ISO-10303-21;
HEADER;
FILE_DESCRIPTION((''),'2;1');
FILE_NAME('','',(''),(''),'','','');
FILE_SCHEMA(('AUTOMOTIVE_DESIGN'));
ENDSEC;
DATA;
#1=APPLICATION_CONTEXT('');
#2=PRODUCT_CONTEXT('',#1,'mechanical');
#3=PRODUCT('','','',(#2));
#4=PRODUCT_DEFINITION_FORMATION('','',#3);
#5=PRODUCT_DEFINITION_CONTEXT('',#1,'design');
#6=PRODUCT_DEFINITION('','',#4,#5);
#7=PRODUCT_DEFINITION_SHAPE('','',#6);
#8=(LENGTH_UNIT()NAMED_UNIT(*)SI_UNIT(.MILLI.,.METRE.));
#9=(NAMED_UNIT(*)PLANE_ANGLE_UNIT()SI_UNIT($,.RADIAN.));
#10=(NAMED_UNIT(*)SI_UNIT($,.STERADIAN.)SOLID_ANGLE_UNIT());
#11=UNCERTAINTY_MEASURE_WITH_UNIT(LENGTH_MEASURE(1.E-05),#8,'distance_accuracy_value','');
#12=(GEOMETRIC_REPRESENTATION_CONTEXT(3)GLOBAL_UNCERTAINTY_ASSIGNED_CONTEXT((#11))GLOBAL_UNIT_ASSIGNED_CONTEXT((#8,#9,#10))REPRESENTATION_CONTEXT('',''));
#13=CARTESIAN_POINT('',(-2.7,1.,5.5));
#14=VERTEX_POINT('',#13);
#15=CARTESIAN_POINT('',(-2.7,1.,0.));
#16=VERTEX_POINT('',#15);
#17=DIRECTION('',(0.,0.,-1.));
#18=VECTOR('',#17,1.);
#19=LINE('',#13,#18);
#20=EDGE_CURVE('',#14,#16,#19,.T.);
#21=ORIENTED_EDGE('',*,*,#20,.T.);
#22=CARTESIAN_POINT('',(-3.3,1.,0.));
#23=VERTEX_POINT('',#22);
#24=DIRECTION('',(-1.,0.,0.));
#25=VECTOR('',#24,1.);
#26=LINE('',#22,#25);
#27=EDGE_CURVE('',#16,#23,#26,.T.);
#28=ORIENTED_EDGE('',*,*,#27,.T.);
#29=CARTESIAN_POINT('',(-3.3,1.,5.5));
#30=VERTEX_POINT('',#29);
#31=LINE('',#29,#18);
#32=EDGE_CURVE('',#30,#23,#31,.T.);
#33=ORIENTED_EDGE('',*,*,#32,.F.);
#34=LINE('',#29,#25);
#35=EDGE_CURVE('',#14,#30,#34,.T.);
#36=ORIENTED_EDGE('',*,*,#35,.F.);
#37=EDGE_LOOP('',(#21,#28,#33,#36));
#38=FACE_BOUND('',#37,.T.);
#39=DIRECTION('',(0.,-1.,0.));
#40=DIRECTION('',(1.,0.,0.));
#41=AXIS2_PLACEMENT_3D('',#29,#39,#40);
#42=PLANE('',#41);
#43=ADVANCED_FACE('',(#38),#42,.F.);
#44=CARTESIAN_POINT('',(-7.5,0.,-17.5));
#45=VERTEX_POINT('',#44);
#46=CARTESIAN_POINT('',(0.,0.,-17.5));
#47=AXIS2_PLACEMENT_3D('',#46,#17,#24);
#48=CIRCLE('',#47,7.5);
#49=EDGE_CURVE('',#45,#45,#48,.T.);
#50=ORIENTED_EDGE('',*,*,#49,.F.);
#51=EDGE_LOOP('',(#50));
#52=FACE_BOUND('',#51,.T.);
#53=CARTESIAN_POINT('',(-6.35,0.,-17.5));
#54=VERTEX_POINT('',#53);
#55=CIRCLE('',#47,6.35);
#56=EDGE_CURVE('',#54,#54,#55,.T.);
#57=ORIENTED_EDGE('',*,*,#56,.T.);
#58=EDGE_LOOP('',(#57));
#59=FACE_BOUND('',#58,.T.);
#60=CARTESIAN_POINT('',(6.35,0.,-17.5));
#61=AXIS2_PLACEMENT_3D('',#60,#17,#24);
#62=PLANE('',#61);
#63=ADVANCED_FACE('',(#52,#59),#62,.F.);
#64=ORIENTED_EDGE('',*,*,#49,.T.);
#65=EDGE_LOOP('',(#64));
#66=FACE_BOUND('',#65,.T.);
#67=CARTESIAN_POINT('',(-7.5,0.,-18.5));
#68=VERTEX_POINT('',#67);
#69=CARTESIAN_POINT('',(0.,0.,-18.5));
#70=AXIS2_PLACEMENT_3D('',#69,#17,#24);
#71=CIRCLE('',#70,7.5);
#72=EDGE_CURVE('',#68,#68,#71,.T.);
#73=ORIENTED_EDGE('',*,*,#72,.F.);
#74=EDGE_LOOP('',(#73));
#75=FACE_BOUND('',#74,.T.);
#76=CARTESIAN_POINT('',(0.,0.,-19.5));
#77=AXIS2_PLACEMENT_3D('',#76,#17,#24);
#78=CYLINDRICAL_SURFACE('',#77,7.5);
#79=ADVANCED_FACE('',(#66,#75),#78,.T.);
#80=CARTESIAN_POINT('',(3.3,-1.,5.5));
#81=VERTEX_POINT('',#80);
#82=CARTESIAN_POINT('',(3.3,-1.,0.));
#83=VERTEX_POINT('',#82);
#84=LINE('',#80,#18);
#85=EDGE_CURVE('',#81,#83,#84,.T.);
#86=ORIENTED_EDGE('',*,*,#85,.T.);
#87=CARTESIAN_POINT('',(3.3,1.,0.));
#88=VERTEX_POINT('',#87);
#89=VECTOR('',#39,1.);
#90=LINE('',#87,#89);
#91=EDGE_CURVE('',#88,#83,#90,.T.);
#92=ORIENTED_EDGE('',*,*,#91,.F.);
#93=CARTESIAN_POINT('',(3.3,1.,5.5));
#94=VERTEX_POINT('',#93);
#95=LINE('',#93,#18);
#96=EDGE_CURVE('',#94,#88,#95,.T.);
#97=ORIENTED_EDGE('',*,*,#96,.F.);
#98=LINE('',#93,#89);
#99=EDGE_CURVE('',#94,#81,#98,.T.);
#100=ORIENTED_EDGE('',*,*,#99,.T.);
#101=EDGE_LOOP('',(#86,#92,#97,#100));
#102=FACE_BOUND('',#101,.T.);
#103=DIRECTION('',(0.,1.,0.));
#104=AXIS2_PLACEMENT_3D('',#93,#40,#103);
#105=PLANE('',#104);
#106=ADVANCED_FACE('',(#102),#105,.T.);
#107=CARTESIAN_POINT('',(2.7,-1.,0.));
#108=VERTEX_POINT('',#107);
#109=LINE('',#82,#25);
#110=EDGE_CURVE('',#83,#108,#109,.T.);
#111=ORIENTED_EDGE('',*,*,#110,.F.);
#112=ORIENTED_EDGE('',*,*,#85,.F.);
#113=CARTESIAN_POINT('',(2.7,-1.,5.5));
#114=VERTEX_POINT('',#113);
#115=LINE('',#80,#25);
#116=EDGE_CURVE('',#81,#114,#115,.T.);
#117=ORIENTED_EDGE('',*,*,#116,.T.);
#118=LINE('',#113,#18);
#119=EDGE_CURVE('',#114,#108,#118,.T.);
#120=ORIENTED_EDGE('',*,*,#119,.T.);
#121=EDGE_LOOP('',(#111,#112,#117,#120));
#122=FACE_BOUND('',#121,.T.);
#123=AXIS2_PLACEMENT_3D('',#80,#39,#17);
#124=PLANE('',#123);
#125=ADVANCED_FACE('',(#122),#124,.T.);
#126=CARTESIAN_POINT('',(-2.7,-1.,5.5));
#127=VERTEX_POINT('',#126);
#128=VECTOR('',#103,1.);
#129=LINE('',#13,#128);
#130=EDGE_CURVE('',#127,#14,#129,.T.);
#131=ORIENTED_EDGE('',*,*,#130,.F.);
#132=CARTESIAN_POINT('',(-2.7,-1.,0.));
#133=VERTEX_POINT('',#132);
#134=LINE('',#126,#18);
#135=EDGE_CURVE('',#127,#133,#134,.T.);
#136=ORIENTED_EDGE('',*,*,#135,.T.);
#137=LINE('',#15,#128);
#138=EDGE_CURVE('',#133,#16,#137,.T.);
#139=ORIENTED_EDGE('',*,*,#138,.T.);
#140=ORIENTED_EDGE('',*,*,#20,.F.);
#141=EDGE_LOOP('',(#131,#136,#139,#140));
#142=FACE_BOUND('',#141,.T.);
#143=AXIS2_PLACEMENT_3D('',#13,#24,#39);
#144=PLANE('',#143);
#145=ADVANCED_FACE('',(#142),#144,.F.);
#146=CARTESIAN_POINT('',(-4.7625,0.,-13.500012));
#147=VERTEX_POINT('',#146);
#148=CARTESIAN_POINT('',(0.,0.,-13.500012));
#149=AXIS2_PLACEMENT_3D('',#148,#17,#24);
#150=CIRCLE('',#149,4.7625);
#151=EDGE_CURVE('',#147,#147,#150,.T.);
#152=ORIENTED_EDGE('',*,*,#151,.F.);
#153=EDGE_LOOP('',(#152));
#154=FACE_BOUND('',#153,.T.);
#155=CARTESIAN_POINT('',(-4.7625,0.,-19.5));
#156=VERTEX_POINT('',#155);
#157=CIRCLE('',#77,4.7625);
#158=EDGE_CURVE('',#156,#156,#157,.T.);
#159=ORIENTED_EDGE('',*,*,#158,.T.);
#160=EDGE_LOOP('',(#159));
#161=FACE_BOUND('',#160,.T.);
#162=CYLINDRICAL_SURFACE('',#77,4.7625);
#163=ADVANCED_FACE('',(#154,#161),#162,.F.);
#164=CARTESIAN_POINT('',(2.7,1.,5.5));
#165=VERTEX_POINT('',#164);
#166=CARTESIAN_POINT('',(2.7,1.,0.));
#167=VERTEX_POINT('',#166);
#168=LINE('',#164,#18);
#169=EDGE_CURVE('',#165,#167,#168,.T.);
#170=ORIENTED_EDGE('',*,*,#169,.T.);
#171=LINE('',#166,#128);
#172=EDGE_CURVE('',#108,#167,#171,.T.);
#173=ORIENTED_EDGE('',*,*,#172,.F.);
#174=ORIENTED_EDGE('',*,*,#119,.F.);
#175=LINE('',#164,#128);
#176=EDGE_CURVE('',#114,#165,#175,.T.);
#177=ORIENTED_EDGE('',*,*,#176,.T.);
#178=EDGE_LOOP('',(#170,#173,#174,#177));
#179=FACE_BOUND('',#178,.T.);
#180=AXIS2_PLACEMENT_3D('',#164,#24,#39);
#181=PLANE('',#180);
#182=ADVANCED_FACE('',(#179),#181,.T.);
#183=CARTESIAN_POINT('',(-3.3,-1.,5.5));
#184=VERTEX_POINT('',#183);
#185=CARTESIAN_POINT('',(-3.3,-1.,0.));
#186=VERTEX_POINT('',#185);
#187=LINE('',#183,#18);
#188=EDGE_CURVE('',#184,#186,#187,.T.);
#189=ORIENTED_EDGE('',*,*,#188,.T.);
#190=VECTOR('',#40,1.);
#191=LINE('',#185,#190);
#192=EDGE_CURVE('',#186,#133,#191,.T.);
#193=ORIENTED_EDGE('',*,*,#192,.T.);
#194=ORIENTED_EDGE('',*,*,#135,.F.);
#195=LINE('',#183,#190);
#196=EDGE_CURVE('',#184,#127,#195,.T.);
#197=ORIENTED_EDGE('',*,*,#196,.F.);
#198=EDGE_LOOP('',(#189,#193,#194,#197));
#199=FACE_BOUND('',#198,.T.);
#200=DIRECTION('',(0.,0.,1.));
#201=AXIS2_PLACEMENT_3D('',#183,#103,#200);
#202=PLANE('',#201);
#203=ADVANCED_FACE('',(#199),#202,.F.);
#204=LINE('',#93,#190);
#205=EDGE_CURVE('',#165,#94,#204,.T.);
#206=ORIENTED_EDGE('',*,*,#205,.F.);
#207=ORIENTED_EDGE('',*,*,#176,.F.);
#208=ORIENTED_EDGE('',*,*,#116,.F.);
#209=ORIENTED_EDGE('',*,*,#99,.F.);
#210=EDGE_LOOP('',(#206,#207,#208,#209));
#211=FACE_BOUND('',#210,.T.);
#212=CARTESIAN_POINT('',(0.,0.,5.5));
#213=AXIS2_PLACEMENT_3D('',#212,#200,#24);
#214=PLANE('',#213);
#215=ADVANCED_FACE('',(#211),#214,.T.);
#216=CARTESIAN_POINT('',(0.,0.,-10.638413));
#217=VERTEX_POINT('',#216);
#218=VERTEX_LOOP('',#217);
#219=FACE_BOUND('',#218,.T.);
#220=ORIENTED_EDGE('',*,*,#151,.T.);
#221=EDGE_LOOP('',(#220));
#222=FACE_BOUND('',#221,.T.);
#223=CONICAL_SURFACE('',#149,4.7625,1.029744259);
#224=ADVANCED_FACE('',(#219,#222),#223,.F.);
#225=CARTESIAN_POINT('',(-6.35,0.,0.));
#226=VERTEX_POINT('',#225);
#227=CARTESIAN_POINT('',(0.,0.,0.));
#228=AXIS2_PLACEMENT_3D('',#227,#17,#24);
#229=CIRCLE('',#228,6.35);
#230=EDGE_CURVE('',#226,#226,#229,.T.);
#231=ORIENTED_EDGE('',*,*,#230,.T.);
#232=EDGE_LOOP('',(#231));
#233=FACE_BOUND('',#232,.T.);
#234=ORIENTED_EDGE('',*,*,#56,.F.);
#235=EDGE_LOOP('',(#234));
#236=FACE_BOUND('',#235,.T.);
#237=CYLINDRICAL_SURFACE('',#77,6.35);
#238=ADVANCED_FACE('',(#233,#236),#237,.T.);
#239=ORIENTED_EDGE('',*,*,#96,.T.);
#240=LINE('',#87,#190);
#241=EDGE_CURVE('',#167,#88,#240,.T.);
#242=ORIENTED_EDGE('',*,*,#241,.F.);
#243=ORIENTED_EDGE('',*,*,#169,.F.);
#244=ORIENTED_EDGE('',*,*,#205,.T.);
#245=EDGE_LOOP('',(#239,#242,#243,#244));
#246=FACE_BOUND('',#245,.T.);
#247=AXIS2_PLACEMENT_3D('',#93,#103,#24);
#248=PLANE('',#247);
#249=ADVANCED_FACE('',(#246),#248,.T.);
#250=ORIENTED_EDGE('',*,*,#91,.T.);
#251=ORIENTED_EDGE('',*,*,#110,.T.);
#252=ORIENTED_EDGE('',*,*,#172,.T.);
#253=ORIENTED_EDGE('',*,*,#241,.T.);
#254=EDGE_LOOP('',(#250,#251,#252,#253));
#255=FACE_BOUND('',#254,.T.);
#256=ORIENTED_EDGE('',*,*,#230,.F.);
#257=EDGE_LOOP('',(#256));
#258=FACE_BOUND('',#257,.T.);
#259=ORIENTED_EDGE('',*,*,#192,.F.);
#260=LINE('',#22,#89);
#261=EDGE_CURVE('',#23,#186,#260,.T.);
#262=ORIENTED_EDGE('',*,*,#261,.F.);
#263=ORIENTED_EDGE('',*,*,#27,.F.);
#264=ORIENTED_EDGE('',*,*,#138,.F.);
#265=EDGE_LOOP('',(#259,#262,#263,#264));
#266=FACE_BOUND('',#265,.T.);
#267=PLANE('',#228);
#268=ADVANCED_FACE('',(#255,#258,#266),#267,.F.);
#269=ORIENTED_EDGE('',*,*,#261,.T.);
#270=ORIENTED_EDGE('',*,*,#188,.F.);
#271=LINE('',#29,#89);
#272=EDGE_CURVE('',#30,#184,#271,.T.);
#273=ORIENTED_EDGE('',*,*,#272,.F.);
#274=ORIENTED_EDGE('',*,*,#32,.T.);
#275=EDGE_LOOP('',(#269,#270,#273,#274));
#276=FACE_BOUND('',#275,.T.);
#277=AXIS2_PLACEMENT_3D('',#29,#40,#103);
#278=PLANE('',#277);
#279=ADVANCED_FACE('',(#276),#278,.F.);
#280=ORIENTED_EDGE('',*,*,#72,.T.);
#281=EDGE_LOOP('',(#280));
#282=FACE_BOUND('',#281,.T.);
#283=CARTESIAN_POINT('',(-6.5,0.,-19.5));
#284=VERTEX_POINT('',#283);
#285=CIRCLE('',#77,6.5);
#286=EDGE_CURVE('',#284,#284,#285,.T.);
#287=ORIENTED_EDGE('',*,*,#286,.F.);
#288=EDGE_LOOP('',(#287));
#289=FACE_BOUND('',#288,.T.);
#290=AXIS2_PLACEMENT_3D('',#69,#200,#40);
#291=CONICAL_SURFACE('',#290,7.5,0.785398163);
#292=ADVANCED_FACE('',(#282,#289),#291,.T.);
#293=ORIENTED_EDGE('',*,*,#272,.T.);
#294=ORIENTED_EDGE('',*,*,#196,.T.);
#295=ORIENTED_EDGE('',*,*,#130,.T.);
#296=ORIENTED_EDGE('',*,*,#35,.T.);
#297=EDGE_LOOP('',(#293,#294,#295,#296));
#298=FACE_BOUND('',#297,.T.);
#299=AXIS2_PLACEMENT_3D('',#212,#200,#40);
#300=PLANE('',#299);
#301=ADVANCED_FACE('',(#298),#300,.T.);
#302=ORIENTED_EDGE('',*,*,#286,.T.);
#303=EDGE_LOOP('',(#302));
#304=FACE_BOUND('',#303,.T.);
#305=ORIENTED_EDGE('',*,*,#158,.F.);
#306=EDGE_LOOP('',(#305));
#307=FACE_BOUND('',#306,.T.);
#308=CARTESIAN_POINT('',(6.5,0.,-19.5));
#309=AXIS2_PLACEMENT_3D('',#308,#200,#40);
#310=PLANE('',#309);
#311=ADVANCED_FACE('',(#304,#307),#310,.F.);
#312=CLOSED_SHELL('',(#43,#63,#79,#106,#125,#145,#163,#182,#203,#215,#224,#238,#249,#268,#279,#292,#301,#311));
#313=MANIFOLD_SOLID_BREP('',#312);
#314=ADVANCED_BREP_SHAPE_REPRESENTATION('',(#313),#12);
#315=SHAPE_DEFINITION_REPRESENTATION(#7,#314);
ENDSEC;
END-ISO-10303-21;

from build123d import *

# Parameters (mm, degrees)
F_3_8_0_375_DIAMETER_HOLE1_D     = 9.525
F_3_8_0_375_DIAMETER_HOLE1_DEPTH = 5.999988
F_3_8_0_375_DIAMETER_HOLE1_TIP   = 2.861598698
SKETCH6_W                        = 0.6
SKETCH6_H                        = 2
BOSS_EXTRUDE1_DEPTH              = 5.5


with BuildPart() as part:
    # Sketch1 → Revolve2 (revolve)
    with BuildSketch(Plane(origin=(0, 0, 0), x_dir=(1, 0, 0), z_dir=(0, 1, 0))):
        Polygon((0, 0), (6.35, 0), (6.35, 17.5), (7.5, 17.5), (7.5, 18.5), (6.5, 19.5), (0, 19.5), align=None)
    revolve(axis=Axis((0, 0, -19.5), (0, 0, 1)))

    # 3/8 (0.375) Diameter Hole1
    with Locations(Plane(origin=(0, 0, -19.5), x_dir=(-1, 0, 0), z_dir=(0, 0, -1))):
        with Locations((0, 0)):
            Hole(F_3_8_0_375_DIAMETER_HOLE1_D / 2, depth=F_3_8_0_375_DIAMETER_HOLE1_DEPTH)
            with Locations((0, 0, -(F_3_8_0_375_DIAMETER_HOLE1_DEPTH + F_3_8_0_375_DIAMETER_HOLE1_TIP / 2))):  # 118° drill point
                Cone(0, F_3_8_0_375_DIAMETER_HOLE1_D / 2, F_3_8_0_375_DIAMETER_HOLE1_TIP, mode=Mode.SUBTRACT)

    # Sketch6 → Boss-Extrude1 (add)
    with BuildSketch(Plane.XY):
        with Locations((-3, 0)):
            Rectangle(SKETCH6_W, SKETCH6_H)
    boss_extrude1 = extrude(amount=BOSS_EXTRUDE1_DEPTH)

    # Mirror1: Boss-Extrude1 across plane
    add(boss_extrude1.mirror(Plane(origin=(0, 0, 0), x_dir=(0, 0, 1), z_dir=(1, 0, 0))))


solid = part.part
